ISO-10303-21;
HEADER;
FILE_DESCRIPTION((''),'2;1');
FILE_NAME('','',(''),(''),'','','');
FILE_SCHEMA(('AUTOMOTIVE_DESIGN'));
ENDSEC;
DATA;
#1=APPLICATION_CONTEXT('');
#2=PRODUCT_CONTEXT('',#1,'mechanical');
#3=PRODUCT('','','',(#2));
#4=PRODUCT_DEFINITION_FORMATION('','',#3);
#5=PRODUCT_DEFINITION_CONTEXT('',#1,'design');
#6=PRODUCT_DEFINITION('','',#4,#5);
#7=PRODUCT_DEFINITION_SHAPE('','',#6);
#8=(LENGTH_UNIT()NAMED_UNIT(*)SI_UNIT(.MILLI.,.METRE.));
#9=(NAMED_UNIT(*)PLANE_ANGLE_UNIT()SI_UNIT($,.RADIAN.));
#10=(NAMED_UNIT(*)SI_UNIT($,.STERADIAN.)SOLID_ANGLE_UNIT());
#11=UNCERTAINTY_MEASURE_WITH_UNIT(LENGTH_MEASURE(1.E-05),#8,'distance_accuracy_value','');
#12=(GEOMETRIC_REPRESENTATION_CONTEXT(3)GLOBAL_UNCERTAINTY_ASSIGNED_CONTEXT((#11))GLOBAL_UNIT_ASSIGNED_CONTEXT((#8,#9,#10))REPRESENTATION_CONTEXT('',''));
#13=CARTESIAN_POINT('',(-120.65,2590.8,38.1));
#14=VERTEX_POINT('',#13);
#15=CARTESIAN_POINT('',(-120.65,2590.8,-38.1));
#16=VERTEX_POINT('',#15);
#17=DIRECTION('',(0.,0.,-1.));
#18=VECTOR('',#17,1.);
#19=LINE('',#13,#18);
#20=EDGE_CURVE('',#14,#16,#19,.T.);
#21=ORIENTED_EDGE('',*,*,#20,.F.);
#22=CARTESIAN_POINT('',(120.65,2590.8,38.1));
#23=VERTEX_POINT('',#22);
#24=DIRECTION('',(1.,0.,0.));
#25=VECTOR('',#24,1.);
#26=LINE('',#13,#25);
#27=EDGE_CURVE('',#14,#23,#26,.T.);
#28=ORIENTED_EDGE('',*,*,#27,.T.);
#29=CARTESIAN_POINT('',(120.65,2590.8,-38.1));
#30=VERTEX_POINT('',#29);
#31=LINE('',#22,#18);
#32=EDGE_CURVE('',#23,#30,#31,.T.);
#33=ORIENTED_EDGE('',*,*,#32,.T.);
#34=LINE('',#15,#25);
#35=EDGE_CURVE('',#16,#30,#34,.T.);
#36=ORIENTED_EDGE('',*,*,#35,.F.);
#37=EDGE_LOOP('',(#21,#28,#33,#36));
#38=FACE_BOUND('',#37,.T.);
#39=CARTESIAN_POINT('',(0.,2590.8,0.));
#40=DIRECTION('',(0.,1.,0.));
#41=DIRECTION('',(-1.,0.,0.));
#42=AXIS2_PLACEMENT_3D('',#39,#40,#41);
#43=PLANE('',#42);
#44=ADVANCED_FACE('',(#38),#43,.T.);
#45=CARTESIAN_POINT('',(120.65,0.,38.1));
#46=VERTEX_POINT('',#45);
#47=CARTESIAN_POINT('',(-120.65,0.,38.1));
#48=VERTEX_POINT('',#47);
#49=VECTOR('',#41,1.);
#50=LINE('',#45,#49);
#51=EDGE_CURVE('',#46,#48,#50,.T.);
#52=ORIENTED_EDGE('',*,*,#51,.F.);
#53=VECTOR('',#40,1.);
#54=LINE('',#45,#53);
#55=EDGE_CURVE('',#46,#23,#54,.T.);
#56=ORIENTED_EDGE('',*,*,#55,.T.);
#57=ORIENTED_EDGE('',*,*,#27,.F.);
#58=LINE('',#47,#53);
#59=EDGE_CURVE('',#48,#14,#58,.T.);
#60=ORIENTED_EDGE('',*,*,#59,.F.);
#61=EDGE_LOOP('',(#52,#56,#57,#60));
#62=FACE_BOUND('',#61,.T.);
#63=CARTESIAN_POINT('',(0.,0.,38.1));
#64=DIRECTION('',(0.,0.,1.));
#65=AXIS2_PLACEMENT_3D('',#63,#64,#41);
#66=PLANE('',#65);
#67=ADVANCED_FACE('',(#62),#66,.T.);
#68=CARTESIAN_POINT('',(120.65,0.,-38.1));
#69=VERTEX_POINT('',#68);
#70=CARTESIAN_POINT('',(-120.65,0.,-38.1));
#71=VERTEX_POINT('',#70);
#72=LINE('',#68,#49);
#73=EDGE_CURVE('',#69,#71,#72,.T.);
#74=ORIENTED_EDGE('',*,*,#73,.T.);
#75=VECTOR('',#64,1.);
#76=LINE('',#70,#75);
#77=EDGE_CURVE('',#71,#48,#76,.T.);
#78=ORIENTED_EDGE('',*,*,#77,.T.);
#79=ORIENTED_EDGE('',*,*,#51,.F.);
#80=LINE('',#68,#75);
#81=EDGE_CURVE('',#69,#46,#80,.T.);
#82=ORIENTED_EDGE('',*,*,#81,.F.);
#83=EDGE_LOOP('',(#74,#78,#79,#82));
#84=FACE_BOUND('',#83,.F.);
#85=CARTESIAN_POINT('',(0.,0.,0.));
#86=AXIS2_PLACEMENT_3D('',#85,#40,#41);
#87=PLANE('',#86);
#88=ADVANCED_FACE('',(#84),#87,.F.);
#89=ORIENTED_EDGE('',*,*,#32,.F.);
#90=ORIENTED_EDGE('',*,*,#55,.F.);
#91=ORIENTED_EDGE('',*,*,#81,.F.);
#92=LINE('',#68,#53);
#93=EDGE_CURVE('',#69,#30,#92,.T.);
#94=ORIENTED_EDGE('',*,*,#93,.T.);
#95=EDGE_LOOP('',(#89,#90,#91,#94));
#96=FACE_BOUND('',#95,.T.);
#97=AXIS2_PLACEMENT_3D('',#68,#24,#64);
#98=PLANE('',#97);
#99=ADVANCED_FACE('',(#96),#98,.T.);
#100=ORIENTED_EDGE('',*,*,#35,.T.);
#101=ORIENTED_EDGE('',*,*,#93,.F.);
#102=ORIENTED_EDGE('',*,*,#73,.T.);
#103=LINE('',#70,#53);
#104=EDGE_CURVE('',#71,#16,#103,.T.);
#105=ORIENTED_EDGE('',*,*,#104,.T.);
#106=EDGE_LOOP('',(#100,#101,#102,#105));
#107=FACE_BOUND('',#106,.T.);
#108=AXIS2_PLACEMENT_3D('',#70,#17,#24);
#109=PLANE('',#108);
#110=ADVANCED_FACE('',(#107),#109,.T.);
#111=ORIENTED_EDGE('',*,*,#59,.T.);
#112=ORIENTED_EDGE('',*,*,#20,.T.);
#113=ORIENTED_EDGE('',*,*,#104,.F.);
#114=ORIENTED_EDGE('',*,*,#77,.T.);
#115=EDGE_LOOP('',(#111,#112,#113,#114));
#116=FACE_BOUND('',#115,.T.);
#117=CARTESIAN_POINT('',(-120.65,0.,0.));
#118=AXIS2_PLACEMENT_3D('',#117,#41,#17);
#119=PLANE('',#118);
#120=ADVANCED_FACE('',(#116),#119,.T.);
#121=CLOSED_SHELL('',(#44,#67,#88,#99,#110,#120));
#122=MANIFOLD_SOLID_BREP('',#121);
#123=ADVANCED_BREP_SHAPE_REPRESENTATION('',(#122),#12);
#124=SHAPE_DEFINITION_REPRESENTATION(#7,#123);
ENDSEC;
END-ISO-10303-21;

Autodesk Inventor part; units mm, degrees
ref_plane "YZ Plane" through (0, 0, 0) normal (1, 0, 0) x (0, 1, 0)
ref_plane "XZ Plane" through (0, 0, 0) normal (0, 1, 0) x (-1, 0, 0)
ref_plane "XY Plane" through (0, 0, 0) normal (0, 0, 1) x (1, 0, 0)
sketch "Sketch1" plane through (0, 0, 0) normal (0, 1, 0) x (-1, 0, 0)
  line L0 (120.65, -38.1) -> (-120.65, -38.1)
  line L1 (-120.65, -38.1) -> (-120.65, 38.1)
  line L2 (-120.65, 38.1) -> (120.65, 38.1)
  line L3 (120.65, 38.1) -> (120.65, -38.1)
  line L4 (0, -53.34) -> (0, 53.34) projected
  line L5 (-168.91, 0) -> (168.91, 0) projected
  point P0 (0, 0)
  dimension "d0" = 241.3
  dimension "d1" = 76.2
extrude "Extrusion1" add sketch "Sketch1" along normal blind 2590.8
properties part number "WestPole"
